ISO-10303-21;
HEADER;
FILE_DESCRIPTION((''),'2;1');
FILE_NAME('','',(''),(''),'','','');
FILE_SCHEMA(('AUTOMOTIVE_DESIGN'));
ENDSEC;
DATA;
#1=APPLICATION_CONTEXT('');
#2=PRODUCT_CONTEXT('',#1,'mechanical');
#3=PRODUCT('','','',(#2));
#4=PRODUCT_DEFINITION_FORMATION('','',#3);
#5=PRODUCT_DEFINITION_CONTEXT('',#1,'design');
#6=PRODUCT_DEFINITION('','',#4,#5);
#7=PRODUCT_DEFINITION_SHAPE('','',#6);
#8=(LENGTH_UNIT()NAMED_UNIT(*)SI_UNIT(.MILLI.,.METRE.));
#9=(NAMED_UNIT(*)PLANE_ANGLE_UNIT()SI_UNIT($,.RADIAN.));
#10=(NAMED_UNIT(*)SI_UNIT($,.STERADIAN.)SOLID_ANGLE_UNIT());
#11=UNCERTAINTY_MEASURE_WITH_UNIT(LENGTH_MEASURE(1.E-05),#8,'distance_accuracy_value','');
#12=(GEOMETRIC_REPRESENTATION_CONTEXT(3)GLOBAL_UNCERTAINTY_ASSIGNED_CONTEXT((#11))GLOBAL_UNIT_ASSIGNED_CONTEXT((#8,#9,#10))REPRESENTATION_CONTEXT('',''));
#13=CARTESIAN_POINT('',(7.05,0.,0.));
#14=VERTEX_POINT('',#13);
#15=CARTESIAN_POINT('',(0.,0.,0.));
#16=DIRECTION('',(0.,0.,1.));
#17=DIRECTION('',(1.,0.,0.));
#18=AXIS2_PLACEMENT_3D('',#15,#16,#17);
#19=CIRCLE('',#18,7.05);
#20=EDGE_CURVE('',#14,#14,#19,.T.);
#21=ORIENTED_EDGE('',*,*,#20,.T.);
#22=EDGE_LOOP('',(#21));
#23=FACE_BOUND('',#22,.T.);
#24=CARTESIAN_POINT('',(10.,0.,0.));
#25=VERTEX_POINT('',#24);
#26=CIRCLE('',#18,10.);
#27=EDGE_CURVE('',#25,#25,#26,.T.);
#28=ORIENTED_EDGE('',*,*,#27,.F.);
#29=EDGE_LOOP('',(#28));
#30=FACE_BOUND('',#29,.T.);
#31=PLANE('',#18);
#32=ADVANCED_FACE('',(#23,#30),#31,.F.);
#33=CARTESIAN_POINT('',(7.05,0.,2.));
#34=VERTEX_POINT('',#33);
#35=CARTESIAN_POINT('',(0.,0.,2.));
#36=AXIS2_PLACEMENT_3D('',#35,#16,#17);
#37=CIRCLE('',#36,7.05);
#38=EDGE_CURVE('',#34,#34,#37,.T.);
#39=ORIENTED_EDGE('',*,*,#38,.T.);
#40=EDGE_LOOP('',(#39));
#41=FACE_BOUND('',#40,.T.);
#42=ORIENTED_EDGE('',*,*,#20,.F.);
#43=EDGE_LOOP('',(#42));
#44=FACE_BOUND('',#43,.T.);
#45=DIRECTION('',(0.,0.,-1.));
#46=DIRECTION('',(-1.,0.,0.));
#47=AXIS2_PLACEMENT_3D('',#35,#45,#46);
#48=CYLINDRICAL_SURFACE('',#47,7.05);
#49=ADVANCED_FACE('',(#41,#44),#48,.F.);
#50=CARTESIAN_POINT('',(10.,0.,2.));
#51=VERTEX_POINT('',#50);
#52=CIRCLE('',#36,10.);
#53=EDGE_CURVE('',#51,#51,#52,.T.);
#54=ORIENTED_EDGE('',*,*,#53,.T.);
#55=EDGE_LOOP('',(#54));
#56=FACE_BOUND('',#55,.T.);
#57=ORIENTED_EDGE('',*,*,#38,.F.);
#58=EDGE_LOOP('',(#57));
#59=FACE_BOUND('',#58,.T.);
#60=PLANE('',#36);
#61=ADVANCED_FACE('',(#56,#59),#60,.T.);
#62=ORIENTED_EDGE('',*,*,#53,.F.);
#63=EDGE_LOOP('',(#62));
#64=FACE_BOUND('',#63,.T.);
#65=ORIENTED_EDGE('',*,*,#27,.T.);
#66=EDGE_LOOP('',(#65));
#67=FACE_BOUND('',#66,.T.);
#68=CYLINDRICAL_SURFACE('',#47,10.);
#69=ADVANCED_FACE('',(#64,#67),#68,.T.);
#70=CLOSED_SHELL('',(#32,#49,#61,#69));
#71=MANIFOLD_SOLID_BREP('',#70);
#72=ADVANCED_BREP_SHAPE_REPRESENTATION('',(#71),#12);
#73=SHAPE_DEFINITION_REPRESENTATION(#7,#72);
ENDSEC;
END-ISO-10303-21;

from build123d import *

# Parameters (mm, degrees)
SKETCH1_R           = 10
SKETCH1_R_2         = 7.05
BOSS_EXTRUDE1_DEPTH = 2


with BuildPart() as part:
    # Sketch1 → Boss-Extrude1 (new body)
    with BuildSketch(Plane.XY):
        Circle(SKETCH1_R)
        Circle(SKETCH1_R_2, mode=Mode.SUBTRACT)
    extrude(amount=BOSS_EXTRUDE1_DEPTH)


solid = part.part
